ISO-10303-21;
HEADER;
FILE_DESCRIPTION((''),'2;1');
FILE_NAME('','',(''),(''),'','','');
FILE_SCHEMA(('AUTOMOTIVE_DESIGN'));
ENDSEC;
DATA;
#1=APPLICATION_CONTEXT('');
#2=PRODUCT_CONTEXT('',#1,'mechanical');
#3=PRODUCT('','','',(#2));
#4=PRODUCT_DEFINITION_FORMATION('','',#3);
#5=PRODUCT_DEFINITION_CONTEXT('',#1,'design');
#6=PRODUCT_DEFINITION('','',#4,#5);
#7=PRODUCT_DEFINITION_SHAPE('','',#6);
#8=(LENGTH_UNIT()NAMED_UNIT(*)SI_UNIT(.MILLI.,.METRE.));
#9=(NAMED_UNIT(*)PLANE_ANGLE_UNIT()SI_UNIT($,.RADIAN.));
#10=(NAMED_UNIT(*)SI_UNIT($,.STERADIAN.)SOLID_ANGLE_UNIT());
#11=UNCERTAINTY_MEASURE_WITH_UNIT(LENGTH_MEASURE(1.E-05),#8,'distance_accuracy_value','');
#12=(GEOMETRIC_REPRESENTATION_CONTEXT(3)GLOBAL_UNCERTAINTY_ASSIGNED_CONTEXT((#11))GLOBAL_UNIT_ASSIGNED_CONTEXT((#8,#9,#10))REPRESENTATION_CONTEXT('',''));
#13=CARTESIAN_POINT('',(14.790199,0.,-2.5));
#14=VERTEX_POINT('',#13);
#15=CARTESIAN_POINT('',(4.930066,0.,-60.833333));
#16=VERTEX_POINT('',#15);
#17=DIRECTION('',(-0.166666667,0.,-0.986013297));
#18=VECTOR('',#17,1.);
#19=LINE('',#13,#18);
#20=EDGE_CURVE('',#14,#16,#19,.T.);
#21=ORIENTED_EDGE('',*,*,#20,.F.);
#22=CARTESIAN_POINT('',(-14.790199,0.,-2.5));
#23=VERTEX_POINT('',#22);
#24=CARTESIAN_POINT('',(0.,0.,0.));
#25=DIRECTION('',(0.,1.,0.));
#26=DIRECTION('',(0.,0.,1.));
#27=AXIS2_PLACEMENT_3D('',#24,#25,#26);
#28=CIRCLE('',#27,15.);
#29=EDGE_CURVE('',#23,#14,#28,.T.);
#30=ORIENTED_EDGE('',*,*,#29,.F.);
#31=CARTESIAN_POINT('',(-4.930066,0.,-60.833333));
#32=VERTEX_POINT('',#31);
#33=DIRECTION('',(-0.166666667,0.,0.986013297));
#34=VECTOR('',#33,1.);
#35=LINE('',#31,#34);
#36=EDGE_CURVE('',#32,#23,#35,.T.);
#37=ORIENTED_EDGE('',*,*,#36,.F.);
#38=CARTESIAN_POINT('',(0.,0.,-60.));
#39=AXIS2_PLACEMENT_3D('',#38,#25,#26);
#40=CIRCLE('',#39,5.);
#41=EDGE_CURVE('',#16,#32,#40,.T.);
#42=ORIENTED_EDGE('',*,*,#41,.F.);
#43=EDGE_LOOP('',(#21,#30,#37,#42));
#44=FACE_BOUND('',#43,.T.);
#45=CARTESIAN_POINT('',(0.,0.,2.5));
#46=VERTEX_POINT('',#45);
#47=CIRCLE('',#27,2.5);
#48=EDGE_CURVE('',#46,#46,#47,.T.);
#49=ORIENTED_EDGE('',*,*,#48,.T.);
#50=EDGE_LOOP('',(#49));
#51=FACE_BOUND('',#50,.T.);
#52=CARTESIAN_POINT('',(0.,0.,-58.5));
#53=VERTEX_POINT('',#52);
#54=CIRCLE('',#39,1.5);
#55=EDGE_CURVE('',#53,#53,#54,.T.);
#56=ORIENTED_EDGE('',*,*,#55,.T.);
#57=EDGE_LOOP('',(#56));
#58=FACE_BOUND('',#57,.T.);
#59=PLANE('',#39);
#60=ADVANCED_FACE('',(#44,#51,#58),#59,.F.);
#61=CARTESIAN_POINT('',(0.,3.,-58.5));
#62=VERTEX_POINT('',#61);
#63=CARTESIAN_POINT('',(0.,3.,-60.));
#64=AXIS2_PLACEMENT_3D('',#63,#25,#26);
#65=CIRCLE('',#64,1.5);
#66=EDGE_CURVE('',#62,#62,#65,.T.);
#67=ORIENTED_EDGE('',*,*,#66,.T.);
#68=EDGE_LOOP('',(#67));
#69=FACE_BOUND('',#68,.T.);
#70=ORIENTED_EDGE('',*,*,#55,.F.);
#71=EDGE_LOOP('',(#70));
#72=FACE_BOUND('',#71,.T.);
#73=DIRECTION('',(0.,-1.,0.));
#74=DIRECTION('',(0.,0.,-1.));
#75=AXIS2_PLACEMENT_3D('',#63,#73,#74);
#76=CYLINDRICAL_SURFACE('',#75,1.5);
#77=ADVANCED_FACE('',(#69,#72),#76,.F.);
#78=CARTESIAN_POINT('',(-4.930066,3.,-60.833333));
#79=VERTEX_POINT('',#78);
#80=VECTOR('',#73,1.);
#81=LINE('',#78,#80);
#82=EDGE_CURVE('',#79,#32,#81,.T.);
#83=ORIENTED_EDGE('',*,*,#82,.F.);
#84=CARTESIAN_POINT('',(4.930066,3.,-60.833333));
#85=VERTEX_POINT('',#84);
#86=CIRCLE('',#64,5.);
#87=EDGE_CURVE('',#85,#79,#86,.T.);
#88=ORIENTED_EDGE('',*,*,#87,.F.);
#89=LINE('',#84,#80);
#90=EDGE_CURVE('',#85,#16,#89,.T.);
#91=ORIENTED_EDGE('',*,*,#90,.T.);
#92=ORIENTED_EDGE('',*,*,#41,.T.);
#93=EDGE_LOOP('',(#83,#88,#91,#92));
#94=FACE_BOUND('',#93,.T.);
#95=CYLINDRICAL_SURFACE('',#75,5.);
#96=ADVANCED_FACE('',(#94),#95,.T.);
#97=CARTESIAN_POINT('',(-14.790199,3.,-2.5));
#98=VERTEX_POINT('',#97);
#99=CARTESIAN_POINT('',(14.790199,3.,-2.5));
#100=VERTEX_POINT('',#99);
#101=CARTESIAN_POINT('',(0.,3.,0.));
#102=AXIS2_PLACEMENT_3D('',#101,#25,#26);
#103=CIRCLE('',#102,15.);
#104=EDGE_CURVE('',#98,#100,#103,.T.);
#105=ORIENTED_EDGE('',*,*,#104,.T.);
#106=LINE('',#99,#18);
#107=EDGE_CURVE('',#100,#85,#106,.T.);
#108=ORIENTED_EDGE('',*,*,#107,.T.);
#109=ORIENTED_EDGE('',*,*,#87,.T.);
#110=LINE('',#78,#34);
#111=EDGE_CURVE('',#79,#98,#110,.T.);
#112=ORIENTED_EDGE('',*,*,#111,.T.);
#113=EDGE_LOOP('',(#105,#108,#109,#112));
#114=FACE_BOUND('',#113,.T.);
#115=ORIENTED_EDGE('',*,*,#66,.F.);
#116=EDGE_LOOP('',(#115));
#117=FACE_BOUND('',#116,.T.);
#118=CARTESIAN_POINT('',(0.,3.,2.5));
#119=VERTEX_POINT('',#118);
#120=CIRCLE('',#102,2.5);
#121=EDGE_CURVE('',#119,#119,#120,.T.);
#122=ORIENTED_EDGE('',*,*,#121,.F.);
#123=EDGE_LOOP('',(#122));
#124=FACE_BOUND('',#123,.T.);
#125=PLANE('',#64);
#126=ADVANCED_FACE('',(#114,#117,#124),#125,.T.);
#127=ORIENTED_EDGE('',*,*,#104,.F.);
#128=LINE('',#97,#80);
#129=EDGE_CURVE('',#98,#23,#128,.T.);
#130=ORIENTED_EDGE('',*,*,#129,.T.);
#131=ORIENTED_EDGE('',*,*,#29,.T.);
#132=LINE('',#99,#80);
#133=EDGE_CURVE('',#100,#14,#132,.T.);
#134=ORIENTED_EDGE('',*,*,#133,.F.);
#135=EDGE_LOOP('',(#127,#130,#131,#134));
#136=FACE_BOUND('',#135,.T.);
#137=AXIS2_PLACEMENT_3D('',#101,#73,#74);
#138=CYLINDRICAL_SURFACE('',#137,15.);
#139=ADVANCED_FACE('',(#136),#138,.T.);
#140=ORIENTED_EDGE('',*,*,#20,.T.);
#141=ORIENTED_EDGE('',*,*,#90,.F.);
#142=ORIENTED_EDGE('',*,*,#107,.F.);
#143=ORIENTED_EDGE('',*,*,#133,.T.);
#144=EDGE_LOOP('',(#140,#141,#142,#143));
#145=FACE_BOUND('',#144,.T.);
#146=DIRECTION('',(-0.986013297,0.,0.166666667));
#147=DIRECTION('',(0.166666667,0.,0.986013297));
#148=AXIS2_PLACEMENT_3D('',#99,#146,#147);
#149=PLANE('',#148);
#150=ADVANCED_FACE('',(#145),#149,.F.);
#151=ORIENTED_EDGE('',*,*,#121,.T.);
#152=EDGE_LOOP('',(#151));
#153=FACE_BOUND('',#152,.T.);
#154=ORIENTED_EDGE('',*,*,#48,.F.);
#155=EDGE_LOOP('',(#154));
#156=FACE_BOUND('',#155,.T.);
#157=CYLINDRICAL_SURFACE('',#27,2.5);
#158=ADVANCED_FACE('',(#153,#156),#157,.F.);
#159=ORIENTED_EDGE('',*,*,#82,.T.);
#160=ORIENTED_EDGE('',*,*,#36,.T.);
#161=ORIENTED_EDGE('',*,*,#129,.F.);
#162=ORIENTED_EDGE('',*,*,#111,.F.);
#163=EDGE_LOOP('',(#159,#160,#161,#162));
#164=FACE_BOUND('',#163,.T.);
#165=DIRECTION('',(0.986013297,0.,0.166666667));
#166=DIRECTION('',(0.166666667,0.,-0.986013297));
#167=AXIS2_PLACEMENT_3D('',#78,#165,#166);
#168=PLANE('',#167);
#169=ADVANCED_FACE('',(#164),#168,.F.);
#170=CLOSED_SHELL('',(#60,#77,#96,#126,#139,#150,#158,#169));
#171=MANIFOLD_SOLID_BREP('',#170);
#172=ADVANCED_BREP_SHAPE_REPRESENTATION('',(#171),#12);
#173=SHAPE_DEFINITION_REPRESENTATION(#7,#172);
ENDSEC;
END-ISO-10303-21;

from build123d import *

# Parameters (mm, degrees)
SKETCH1_R           = 1.5
BOSS_EXTRUDE1_DEPTH = 3
SKETCH2_R           = 2.5
CUT_EXTRUDE1_DEPTH  = 3


with BuildPart() as part:
    # Sketch1 → Boss-Extrude1 (new body)
    with BuildSketch(Plane(origin=(0, 0, 0), x_dir=(1, 0, 0), z_dir=(0, 1, 0))):
        with BuildLine():
            Line((-4.930066486, 60.833333333), (-14.790199458, 2.5))
            ThreePointArc((-14.790199458, 2.5), (0, -15), (14.790199458, 2.5))
            Line((14.790199458, 2.5), (4.930066486, 60.833333333))
            ThreePointArc((4.930066486, 60.833333333), (0, 65), (-4.930066486, 60.833333333))
        make_face()
        with Locations((0, 60)):
            Circle(SKETCH1_R, mode=Mode.SUBTRACT)
    extrude(amount=BOSS_EXTRUDE1_DEPTH)

    # Sketch2 → Cut-Extrude1 (cut)
    with BuildSketch(Plane(origin=(0, 3, 0), x_dir=(1, 0, 0), z_dir=(0, 1, 0))):
        Circle(SKETCH2_R)
    extrude(amount=-CUT_EXTRUDE1_DEPTH, mode=Mode.SUBTRACT)


solid = part.part
